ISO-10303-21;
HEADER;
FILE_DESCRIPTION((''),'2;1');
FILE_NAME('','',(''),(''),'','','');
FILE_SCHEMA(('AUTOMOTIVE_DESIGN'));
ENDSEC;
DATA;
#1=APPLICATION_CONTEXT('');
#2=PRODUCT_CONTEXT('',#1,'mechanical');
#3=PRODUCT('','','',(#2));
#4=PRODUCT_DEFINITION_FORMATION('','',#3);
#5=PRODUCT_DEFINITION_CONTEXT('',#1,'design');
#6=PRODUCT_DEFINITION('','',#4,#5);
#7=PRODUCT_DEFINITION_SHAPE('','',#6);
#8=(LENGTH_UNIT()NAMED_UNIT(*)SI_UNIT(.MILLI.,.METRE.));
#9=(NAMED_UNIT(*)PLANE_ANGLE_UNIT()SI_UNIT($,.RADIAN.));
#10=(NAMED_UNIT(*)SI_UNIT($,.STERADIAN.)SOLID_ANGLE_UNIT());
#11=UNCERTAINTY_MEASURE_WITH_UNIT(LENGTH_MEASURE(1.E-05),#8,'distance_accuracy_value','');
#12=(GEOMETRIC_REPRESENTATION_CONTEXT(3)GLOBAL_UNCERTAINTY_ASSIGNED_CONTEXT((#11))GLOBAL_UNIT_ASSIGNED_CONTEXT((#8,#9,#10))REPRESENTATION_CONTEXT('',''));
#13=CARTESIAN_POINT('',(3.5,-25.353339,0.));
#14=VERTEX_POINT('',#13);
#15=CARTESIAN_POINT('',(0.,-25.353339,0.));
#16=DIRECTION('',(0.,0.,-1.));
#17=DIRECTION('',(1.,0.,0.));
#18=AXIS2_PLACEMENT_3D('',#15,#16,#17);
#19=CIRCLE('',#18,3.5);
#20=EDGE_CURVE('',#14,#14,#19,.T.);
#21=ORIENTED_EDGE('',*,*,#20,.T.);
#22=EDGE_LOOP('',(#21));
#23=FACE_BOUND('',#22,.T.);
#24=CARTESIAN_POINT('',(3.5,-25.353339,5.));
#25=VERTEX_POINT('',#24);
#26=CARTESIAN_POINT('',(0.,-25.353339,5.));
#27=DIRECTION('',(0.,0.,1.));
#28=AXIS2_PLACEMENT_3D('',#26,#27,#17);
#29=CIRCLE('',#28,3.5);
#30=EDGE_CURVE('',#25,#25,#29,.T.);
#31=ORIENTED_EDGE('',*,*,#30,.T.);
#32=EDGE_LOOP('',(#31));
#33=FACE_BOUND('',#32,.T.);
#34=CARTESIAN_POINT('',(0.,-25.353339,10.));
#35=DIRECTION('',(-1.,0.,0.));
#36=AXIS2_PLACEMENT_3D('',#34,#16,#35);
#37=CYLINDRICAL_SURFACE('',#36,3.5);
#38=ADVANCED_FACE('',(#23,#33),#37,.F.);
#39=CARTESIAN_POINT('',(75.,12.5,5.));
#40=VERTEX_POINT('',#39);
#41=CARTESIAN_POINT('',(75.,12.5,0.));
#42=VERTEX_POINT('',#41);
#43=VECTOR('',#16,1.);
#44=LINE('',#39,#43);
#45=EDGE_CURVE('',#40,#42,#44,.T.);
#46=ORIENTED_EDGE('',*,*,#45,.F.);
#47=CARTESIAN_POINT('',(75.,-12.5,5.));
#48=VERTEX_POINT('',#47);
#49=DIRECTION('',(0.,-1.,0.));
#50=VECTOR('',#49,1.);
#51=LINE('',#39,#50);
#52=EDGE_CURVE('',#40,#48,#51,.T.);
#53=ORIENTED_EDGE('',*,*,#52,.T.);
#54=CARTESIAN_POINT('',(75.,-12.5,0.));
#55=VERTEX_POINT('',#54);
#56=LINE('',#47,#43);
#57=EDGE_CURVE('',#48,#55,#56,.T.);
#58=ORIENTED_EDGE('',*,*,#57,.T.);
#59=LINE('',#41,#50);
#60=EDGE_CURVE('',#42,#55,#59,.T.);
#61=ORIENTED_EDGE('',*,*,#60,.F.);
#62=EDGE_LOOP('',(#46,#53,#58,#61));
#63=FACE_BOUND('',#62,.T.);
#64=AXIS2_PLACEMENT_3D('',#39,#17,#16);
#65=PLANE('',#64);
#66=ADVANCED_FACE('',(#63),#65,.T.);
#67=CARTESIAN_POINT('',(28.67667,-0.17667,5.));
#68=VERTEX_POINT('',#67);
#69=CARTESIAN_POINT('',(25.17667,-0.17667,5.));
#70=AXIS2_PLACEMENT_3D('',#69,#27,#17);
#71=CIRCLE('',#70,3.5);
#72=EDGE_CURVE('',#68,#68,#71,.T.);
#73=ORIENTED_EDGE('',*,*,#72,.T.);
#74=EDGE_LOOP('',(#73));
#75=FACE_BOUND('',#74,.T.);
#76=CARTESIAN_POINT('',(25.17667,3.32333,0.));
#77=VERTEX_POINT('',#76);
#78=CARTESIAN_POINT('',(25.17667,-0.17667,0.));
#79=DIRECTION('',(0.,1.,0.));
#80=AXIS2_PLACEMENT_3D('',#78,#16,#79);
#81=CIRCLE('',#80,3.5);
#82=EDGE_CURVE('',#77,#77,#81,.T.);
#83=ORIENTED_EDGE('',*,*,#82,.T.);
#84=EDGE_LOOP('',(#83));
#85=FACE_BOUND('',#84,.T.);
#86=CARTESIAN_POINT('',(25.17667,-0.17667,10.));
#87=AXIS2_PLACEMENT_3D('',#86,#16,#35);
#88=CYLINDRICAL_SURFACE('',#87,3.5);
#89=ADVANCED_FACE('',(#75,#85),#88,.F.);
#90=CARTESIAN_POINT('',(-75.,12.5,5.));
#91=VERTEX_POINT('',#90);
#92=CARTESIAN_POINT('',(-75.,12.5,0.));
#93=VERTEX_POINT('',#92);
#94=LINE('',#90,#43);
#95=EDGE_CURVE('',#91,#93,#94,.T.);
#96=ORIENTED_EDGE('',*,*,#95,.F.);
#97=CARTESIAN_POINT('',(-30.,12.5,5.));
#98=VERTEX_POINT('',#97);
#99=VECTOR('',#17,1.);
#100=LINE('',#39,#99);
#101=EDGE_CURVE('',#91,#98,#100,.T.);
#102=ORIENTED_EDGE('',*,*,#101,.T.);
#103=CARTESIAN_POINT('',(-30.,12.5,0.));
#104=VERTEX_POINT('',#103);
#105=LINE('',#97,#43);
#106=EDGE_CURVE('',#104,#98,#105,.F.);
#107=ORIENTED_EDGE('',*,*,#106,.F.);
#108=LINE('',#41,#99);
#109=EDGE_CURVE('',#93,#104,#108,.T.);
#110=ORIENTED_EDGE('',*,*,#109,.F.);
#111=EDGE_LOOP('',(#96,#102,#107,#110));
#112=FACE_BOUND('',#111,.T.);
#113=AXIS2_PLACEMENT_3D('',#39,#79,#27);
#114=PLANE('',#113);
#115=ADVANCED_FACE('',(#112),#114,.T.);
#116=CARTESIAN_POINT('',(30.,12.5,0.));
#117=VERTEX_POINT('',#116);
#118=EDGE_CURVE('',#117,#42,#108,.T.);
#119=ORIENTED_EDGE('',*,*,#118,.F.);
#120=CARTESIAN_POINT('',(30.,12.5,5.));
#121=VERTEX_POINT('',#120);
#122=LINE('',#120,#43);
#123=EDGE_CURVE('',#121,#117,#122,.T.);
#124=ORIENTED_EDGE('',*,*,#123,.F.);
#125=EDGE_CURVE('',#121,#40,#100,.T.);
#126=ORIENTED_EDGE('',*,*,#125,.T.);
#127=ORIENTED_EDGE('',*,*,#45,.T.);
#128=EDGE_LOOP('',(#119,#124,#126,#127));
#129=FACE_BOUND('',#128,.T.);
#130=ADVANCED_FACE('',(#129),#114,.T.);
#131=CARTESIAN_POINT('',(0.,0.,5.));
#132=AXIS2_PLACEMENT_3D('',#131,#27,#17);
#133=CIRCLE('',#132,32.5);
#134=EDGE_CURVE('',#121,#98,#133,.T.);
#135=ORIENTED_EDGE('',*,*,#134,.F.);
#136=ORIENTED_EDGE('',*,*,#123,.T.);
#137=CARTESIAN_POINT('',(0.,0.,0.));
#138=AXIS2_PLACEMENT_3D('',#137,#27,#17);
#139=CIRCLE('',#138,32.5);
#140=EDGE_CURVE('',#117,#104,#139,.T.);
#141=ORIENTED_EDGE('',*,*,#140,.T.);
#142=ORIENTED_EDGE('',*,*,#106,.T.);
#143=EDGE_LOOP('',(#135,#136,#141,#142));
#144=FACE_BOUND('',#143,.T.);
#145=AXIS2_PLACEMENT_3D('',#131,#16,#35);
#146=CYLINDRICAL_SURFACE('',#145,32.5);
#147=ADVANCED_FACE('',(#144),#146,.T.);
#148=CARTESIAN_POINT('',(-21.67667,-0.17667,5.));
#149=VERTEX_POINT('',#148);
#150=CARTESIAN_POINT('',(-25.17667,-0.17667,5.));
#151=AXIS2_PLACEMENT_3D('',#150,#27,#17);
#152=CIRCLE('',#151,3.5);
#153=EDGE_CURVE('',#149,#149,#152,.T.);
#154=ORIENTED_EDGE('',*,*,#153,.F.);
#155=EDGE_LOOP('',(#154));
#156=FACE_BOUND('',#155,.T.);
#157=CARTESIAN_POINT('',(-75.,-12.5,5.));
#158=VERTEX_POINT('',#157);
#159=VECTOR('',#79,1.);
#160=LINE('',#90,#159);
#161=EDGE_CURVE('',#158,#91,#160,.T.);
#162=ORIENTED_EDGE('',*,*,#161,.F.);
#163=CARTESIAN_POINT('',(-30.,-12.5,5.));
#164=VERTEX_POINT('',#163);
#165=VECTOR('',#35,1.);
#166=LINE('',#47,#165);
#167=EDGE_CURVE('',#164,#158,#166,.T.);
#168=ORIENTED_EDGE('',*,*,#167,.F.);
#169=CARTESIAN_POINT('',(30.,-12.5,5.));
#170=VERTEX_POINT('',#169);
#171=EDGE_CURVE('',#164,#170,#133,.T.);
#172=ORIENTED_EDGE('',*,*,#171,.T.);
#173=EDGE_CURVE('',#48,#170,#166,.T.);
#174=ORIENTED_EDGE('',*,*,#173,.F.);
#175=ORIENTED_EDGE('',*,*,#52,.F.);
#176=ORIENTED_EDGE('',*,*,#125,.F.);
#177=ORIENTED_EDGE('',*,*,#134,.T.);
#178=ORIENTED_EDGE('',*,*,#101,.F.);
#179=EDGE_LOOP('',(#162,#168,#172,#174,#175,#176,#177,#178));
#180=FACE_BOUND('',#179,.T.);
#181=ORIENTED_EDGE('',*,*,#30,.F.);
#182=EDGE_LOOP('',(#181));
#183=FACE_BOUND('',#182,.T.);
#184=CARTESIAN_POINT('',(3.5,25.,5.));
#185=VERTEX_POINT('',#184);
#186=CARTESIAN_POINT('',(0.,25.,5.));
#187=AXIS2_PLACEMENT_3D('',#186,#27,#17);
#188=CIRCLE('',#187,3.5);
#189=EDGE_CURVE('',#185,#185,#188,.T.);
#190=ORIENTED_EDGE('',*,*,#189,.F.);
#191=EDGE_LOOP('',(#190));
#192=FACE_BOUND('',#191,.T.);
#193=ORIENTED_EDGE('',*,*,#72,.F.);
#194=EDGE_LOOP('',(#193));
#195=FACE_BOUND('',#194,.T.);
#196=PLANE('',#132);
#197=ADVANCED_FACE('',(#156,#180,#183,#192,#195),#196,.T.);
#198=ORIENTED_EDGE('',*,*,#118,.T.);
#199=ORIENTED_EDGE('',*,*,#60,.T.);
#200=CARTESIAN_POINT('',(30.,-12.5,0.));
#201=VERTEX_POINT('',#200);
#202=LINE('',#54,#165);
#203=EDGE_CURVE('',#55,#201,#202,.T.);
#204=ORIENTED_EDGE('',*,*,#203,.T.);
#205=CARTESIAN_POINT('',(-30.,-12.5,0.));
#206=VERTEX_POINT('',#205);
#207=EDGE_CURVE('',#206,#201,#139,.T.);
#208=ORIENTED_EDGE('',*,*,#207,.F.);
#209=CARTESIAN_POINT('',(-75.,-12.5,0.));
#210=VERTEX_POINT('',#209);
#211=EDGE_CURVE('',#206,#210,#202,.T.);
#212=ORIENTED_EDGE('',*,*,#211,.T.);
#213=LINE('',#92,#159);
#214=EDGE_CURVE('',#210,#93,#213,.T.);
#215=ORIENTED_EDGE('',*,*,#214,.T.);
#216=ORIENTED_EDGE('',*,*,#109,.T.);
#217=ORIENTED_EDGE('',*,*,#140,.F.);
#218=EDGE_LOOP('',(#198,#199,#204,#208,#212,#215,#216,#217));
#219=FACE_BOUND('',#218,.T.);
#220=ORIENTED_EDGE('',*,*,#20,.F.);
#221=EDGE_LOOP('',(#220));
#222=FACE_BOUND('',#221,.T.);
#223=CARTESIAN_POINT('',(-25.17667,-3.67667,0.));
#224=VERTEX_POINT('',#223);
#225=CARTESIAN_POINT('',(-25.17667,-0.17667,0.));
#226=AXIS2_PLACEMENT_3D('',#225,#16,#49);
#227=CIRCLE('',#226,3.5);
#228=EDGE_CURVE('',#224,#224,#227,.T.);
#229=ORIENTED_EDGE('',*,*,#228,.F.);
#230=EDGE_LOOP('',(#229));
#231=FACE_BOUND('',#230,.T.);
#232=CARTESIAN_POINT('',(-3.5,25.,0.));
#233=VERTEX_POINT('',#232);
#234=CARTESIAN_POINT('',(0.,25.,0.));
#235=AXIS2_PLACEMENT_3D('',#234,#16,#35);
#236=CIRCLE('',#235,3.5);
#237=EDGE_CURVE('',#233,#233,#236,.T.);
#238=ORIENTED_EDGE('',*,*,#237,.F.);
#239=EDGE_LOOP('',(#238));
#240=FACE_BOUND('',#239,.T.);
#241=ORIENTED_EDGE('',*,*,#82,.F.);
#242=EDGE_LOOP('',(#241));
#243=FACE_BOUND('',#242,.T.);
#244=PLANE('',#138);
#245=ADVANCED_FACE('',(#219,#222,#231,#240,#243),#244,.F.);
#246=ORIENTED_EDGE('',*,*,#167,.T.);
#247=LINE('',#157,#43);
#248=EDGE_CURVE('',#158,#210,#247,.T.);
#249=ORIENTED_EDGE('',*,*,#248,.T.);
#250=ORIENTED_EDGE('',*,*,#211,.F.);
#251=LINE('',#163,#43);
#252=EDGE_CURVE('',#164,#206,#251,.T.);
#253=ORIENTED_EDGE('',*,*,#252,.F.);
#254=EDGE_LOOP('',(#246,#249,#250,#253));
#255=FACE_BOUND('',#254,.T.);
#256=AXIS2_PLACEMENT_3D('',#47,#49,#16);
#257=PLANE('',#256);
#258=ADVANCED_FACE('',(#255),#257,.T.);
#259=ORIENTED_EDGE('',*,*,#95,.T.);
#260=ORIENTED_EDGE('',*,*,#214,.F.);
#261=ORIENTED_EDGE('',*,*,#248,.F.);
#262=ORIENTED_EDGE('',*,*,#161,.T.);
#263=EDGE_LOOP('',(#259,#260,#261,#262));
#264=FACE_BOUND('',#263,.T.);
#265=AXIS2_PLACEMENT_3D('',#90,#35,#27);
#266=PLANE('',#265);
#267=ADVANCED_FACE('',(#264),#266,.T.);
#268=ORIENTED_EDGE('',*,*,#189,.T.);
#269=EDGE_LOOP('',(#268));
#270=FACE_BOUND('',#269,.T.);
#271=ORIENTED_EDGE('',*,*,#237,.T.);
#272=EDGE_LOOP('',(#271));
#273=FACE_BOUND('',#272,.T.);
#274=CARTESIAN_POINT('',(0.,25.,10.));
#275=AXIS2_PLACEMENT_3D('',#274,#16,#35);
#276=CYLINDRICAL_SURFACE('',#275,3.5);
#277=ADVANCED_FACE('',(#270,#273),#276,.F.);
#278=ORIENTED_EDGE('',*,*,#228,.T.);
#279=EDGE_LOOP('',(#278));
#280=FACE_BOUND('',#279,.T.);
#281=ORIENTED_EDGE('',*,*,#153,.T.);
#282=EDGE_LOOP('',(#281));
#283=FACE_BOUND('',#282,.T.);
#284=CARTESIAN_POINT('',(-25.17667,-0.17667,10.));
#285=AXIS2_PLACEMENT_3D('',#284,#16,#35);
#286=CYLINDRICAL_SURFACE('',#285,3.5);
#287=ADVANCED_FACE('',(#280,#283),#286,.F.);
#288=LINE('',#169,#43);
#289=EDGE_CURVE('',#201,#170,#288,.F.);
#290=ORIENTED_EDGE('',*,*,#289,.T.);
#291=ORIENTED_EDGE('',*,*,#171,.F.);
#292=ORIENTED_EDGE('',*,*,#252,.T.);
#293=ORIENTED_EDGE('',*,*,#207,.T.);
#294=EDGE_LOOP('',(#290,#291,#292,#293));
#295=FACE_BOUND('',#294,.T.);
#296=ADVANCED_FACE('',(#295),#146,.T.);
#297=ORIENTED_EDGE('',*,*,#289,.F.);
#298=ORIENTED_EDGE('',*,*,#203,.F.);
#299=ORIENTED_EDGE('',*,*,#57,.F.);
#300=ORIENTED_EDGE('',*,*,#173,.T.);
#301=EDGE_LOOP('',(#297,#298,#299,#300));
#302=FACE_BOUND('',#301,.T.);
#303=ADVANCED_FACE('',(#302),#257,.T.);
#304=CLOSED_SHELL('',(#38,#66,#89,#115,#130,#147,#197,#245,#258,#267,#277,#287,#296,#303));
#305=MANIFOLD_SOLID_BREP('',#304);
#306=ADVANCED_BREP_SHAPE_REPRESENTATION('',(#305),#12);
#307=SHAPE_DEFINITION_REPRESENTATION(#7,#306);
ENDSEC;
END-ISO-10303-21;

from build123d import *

# Parameters (mm, degrees)
SKIZZE1_R                       = 32.5
AUFSATZ_LINEAR_AUSTRAGEN1_DEPTH = 5
SKIZZE2_R                       = 3.5
SCHNITT_LINEAR_AUSTRAGEN1_DEPTH = 10
SKIZZE3_W                       = 150
SKIZZE3_H                       = 25
AUFSATZ_LINEAR_AUSTRAGEN2_DEPTH = 5
KREISMUSTER1_COUNT              = 4


with BuildPart() as part:
    # Skizze1 → Aufsatz-Linear austragen1 (new body)
    with BuildSketch(Plane.XY):
        Circle(SKIZZE1_R)
    extrude(amount=AUFSATZ_LINEAR_AUSTRAGEN1_DEPTH)

    # Skizze2 → Schnitt-Linear austragen1 (cut)
    with BuildSketch(Plane(origin=(0, 0, 0), x_dir=(-1, 0, 0), z_dir=(0, 0, -1))):
        with Locations((0, 25)):
            Circle(SKIZZE2_R)
    schnitt_linear_austragen1 = extrude(amount=-SCHNITT_LINEAR_AUSTRAGEN1_DEPTH, mode=Mode.SUBTRACT)

    # Skizze3 → Aufsatz-Linear austragen2 (add)
    with BuildSketch(Plane(origin=(0, 0, 0), x_dir=(-1, 0, 0), z_dir=(0, 0, -1))):
        Rectangle(SKIZZE3_W, SKIZZE3_H)
    extrude(amount=-AUFSATZ_LINEAR_AUSTRAGEN2_DEPTH)

    # Kreismuster1: Schnitt-Linear austragen1 ×4 about axis
    kreismuster1_axis = Axis((0, -0.17666974, 0), (0, 0, 1))
    for i in range(1, KREISMUSTER1_COUNT):
        add(schnitt_linear_austragen1.rotate(kreismuster1_axis, i * 360 / KREISMUSTER1_COUNT), mode=Mode.SUBTRACT)


solid = part.part
